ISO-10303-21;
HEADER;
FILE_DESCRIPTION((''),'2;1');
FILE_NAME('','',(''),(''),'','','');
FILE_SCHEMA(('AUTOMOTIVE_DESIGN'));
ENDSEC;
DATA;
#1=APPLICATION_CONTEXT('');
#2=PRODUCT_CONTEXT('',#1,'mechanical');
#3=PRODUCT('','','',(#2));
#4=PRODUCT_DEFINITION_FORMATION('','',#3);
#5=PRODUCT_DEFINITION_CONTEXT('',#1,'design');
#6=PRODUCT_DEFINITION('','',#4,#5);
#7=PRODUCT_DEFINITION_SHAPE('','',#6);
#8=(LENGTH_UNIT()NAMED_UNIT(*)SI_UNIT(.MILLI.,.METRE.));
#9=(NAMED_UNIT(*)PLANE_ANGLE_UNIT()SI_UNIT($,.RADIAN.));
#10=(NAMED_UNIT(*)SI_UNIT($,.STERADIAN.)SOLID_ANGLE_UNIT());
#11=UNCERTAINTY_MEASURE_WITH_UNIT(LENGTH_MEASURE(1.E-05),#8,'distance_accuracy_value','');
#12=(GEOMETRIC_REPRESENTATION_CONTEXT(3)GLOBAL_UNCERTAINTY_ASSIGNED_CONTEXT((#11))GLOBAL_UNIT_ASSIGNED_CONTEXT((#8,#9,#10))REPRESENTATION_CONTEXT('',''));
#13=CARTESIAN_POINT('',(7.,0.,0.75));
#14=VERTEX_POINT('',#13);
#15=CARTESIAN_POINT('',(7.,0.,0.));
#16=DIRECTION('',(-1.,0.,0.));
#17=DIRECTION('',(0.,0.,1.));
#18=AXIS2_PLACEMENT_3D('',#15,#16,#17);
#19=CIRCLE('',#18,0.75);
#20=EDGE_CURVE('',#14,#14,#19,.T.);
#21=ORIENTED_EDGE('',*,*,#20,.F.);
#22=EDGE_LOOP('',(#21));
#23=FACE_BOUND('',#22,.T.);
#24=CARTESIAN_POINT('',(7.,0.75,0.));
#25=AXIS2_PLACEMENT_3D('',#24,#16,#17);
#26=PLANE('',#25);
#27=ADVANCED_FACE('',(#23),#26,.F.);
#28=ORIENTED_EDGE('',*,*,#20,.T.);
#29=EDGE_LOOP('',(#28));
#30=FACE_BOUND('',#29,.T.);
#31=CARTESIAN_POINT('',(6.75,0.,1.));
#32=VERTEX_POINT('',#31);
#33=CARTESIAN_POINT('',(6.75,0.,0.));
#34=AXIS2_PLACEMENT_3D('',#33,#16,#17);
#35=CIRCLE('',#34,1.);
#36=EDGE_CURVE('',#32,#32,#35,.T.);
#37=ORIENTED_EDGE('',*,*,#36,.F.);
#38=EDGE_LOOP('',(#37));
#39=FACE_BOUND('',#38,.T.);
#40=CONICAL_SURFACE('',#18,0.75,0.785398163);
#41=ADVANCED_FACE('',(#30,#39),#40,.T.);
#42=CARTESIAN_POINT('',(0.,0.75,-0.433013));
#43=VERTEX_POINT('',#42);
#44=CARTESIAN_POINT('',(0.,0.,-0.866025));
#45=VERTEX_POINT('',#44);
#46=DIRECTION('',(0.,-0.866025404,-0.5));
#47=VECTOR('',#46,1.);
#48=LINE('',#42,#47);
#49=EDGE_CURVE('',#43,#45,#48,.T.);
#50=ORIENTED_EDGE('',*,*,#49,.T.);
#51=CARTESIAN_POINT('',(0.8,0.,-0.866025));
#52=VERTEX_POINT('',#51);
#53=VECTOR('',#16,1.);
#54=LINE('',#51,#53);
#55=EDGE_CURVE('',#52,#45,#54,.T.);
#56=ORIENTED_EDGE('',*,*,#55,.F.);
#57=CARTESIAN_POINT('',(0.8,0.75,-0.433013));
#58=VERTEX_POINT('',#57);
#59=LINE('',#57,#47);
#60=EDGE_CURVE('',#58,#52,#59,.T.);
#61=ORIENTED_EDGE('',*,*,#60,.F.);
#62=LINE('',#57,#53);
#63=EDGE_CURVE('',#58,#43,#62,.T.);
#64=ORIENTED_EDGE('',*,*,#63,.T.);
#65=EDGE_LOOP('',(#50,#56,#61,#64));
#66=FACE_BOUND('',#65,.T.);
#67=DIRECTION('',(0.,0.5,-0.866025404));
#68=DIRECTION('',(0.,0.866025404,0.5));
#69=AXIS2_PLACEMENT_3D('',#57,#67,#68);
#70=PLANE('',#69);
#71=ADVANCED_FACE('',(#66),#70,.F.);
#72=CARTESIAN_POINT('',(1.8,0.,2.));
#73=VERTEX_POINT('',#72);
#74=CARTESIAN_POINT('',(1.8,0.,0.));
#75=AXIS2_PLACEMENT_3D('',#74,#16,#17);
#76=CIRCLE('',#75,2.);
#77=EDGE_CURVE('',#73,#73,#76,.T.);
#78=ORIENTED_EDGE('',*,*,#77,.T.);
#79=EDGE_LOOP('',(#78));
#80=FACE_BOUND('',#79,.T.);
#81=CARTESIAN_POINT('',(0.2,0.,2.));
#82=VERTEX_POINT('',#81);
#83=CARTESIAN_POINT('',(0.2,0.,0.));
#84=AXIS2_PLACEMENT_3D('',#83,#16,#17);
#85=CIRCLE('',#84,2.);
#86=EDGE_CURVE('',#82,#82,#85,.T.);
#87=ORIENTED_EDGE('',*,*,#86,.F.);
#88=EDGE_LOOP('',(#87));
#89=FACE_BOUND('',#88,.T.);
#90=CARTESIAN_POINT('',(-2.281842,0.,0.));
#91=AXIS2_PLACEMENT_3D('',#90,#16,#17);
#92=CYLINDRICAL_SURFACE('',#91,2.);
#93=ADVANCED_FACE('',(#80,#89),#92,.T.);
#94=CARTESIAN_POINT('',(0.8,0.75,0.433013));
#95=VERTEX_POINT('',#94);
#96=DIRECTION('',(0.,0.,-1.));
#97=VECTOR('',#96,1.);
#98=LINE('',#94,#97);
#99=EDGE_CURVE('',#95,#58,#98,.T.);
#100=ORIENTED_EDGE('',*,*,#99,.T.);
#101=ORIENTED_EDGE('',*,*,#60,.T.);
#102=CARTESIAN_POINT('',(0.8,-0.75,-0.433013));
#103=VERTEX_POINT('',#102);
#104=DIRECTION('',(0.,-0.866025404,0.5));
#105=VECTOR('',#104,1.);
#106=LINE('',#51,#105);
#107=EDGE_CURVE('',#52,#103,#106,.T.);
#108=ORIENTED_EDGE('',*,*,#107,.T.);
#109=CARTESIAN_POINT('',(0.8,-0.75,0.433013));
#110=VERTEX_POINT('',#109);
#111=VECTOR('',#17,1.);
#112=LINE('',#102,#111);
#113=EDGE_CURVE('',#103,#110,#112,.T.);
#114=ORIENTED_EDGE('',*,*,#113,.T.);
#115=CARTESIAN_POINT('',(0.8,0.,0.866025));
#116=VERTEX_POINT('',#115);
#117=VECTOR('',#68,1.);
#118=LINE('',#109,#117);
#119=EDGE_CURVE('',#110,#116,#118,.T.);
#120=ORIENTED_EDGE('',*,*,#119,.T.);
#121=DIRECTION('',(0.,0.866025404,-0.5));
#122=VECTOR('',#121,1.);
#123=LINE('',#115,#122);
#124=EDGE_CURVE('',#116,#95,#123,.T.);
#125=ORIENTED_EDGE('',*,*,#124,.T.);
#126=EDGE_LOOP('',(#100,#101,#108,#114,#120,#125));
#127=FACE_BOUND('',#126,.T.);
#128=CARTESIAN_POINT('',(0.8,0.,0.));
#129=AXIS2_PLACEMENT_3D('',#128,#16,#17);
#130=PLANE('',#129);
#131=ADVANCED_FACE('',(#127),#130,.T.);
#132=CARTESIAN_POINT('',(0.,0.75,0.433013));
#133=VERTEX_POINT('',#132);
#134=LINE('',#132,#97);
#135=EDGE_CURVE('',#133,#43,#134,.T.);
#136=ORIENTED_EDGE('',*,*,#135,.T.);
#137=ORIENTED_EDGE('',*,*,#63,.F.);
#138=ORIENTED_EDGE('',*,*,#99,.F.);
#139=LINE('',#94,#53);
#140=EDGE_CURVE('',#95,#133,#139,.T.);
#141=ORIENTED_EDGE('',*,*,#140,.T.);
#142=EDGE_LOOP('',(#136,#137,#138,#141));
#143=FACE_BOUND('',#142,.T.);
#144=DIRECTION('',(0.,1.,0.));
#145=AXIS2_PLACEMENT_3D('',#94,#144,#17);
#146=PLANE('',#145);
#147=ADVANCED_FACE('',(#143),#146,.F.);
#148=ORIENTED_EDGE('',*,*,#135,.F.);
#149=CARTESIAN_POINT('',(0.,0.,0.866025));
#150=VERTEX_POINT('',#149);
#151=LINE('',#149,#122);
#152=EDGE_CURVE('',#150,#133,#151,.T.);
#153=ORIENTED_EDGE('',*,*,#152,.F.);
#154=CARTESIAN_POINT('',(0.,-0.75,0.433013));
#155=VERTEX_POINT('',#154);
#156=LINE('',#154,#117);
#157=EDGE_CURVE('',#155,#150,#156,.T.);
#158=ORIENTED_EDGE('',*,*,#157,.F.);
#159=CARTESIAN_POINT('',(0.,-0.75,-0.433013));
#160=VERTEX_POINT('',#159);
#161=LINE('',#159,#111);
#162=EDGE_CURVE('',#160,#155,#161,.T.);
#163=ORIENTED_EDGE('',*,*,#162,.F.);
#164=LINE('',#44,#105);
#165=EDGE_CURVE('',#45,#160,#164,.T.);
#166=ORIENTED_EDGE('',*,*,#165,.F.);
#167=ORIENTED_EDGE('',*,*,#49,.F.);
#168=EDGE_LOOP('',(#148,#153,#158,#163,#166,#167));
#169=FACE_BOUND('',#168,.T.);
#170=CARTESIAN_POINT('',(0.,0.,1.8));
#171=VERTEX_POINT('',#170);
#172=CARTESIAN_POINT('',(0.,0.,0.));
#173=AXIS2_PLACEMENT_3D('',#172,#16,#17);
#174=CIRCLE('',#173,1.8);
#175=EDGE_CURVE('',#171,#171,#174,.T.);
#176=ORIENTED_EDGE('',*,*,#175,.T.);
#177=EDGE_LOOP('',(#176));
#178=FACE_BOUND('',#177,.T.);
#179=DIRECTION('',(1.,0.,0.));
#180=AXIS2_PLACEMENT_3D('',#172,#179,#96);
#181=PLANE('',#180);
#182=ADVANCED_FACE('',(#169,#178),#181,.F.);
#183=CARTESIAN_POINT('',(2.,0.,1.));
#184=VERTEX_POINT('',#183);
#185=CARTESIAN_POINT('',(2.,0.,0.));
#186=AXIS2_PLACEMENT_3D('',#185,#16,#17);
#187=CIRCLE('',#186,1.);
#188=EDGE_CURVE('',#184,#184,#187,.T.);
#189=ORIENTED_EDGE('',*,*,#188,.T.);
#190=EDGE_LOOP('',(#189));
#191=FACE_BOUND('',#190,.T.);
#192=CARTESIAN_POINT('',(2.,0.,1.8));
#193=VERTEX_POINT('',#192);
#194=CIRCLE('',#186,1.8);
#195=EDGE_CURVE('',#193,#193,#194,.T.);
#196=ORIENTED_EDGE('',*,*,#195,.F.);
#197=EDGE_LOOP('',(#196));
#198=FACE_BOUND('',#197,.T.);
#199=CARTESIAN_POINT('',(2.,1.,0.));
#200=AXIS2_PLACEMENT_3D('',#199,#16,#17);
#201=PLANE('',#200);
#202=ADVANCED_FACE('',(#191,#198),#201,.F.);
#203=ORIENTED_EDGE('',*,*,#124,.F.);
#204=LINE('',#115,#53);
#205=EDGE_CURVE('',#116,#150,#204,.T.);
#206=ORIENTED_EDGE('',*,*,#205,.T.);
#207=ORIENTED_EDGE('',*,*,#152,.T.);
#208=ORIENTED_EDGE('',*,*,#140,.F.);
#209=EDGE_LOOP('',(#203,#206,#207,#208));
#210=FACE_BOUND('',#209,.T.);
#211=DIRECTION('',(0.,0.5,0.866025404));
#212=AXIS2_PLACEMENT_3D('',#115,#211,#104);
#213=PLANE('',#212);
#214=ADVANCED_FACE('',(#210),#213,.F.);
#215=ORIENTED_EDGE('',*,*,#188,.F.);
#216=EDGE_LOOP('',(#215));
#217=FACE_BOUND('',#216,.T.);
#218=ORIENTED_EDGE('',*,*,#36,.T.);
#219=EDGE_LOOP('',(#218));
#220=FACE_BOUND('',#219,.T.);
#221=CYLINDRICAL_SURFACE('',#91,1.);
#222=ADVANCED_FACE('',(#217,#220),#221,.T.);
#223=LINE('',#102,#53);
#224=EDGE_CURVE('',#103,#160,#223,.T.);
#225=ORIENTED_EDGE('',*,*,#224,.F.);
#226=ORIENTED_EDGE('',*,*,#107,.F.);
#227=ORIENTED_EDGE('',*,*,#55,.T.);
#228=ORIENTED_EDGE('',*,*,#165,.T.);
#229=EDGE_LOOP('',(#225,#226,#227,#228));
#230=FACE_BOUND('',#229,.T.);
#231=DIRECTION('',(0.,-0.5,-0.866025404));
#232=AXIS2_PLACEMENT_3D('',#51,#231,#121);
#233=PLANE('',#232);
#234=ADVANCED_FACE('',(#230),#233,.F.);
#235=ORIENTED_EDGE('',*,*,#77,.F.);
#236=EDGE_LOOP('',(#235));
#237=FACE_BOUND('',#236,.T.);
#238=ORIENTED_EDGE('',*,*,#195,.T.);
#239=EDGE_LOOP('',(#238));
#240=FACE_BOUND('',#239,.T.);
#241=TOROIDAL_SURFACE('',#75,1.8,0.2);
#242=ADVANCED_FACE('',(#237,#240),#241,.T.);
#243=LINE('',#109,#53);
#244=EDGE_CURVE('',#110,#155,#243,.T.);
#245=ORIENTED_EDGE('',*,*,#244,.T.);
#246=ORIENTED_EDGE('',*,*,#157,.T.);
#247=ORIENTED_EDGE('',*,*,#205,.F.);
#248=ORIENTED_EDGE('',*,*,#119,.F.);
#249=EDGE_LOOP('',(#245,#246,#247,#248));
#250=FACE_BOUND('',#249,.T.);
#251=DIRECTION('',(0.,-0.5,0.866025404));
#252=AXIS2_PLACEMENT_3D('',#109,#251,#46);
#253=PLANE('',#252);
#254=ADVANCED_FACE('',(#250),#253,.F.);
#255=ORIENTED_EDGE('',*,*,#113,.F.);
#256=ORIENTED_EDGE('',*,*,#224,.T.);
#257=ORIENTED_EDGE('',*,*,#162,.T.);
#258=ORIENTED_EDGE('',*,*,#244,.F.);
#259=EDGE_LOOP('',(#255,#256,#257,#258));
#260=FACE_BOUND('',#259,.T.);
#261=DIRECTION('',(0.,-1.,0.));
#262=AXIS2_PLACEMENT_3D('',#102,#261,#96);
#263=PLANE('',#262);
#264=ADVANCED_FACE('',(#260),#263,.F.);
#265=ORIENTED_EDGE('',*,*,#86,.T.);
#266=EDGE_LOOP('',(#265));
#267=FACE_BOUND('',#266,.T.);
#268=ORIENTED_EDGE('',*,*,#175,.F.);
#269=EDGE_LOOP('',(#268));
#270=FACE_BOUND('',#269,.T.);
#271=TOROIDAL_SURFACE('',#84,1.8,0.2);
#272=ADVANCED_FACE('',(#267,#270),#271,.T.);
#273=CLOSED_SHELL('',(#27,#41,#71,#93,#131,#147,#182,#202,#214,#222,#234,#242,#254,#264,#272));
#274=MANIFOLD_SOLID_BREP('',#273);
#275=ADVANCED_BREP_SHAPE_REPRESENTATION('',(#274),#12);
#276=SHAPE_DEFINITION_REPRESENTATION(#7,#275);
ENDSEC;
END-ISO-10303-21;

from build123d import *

# Parameters (mm, degrees)
CUT_EXTRUDE1_DEPTH = 0.8


with BuildPart() as part:
    # Sketch2 → Revolve1 (revolve)
    with BuildSketch(Plane.XY):
        with BuildLine():
            Line((0, 0), (0, 1.8))
            ThreePointArc((0, 1.8), (0.058578644, 1.941421356), (0.2, 2))
            Line((0.2, 2), (1.8, 2))
            ThreePointArc((1.8, 2), (1.941421356, 1.941421356), (2, 1.8))
            Line((2, 1.8), (2, 1))
            Line((2, 1), (6.75, 1))
            Line((6.75, 1), (7, 0.75))
            Line((7, 0.75), (7, 0))
            Line((7, 0), (0, 0))
        make_face()
    revolve(axis=Axis((-2.281841559, 0, 0), (1, 0, 0)))

    # Sketch3 → Cut-Extrude1 (cut)
    with BuildSketch(Plane.ZY):
        Polygon((0.433012702, -0.75), (0.866025404, 0), (0.433012702, 0.75), (-0.433012702, 0.75), (-0.866025404, 0), (-0.433012702, -0.75), align=None)
    extrude(amount=-CUT_EXTRUDE1_DEPTH, mode=Mode.SUBTRACT)


solid = part.part
